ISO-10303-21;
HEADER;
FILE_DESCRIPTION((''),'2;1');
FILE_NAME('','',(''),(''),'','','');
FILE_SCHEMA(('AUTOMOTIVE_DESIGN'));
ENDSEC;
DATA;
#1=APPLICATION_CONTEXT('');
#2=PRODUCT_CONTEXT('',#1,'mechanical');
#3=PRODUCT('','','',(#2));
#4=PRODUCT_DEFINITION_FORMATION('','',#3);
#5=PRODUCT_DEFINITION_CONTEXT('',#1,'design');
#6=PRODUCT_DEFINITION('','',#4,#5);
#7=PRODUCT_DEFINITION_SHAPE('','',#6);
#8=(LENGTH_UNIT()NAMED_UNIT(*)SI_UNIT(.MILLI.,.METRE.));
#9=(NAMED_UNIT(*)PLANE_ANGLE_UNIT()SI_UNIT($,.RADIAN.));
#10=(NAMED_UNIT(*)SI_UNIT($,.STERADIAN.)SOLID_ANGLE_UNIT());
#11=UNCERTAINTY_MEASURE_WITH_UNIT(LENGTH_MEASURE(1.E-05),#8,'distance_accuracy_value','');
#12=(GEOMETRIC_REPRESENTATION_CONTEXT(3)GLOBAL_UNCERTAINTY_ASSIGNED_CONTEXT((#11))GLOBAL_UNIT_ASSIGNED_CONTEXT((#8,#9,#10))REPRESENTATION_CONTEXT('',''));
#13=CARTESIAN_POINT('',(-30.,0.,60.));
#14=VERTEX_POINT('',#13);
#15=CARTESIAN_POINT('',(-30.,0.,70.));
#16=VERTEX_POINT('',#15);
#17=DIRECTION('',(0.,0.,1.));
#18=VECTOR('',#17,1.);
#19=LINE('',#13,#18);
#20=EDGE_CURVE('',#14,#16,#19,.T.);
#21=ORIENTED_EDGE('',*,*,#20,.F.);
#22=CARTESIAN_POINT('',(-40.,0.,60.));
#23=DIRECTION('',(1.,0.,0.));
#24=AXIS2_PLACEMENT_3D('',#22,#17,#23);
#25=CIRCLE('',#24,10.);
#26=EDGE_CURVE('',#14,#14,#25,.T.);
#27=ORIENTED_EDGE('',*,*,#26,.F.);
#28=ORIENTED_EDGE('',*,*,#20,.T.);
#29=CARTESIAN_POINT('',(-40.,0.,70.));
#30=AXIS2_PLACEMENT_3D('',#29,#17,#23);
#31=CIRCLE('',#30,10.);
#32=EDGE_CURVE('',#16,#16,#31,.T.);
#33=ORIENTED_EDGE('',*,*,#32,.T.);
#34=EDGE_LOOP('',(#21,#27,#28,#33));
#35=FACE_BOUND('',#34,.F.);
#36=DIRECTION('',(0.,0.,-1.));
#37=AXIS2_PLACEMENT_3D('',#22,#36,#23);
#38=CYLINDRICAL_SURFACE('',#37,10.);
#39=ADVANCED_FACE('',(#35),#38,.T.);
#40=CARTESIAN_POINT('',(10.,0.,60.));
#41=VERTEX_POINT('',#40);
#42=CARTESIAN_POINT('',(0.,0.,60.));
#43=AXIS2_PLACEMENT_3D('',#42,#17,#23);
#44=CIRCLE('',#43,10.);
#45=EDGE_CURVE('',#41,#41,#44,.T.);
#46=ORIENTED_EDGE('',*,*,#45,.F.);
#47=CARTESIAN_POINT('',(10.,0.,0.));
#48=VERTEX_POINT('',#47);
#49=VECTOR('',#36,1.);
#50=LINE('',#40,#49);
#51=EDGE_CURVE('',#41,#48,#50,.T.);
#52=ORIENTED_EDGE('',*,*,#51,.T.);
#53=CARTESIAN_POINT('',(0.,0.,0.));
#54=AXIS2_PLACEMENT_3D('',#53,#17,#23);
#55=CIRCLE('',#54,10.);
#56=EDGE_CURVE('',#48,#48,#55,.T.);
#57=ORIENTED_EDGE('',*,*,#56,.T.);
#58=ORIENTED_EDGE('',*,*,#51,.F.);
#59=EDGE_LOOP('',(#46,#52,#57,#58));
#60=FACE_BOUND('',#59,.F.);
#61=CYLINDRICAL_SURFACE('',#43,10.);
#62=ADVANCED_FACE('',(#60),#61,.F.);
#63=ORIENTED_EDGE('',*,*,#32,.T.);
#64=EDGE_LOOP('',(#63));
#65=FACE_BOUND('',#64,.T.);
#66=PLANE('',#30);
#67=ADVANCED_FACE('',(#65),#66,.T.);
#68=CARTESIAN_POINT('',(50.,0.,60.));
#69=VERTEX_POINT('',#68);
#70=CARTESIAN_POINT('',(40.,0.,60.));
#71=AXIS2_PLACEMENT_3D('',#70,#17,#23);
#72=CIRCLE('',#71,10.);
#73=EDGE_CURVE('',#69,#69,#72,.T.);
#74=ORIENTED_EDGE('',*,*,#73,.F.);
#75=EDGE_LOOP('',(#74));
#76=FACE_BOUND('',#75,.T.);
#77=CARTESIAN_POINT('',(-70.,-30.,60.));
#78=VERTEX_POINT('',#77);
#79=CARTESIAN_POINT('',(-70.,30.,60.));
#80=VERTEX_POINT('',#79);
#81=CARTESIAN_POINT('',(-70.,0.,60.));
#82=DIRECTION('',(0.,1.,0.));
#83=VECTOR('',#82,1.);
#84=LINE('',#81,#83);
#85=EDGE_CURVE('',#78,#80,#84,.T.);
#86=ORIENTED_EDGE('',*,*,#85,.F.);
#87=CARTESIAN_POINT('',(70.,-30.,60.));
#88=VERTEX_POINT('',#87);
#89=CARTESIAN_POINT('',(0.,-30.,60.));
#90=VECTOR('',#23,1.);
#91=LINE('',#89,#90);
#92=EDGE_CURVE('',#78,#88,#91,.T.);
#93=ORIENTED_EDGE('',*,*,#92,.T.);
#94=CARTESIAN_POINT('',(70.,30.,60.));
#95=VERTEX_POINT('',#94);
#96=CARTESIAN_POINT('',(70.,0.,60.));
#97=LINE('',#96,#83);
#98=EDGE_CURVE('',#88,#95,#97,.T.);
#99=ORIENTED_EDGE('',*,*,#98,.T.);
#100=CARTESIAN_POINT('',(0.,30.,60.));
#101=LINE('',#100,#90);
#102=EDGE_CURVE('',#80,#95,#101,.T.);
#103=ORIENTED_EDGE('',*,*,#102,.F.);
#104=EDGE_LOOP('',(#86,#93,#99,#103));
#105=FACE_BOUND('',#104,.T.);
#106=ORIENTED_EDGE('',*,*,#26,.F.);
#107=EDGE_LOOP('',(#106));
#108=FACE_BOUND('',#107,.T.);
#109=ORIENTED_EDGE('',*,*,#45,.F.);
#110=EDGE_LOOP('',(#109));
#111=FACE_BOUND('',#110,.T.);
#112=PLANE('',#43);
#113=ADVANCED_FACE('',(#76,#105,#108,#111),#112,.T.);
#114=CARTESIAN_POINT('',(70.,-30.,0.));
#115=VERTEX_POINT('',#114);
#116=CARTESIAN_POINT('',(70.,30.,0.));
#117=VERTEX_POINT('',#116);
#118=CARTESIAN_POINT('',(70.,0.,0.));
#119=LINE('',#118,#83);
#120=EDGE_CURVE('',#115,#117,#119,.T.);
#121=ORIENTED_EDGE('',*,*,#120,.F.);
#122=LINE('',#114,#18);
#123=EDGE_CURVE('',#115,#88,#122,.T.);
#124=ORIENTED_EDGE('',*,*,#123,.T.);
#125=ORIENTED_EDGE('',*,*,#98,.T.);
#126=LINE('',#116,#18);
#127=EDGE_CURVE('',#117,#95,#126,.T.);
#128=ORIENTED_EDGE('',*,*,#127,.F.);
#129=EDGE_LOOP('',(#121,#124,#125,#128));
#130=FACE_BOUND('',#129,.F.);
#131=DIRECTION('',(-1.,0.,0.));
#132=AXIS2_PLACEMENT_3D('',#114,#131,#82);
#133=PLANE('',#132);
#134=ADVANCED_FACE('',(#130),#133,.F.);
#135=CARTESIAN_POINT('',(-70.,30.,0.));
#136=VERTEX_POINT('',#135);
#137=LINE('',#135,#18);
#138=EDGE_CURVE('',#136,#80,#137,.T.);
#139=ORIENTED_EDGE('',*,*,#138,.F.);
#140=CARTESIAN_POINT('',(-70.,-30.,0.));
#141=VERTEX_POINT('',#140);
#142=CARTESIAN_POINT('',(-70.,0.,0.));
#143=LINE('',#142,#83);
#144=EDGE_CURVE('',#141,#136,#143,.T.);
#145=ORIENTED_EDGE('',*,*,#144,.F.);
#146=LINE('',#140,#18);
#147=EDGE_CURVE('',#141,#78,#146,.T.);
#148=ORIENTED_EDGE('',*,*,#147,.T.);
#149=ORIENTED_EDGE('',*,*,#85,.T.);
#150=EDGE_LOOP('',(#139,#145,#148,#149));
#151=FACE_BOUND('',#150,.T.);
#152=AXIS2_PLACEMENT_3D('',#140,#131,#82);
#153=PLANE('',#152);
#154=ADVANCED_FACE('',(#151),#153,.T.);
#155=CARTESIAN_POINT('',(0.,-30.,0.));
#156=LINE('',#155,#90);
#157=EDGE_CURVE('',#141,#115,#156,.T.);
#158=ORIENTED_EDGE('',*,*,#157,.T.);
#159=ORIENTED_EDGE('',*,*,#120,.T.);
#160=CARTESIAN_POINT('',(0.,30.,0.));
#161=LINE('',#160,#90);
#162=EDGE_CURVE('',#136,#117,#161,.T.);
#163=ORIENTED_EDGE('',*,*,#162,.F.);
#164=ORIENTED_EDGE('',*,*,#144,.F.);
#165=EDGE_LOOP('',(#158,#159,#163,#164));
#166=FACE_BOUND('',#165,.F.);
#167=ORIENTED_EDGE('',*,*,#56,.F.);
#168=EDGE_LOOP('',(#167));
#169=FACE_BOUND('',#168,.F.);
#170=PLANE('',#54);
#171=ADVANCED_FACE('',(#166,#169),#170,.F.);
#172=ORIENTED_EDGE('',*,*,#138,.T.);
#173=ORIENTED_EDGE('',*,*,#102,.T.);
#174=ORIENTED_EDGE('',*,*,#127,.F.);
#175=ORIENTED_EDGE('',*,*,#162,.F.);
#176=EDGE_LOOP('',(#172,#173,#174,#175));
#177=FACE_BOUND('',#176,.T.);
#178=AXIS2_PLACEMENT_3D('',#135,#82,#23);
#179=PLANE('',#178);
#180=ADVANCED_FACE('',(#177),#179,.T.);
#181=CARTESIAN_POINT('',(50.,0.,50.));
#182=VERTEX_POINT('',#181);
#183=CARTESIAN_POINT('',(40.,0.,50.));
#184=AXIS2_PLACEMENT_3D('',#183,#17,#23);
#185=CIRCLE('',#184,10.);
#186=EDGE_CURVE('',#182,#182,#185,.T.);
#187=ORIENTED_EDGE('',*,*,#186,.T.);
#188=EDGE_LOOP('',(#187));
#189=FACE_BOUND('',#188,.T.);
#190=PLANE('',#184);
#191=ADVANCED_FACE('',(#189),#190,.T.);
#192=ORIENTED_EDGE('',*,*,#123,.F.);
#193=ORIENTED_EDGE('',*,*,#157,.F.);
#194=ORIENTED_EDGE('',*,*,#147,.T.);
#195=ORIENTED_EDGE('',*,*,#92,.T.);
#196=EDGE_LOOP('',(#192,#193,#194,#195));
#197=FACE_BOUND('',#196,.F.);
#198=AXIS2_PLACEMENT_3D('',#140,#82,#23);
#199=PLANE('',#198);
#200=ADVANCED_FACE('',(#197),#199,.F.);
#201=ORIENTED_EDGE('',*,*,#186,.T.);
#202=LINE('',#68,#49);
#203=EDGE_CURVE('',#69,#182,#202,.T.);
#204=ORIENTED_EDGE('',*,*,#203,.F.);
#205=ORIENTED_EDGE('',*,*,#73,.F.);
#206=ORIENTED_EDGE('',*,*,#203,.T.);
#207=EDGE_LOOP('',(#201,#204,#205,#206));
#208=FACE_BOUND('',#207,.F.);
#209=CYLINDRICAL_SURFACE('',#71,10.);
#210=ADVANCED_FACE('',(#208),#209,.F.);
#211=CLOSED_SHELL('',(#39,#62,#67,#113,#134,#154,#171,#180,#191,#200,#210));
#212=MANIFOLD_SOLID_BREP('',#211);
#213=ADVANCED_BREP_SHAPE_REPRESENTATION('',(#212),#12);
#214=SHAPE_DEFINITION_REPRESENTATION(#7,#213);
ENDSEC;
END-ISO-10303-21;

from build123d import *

# Parameters (mm, degrees)
F0_W     = 140
F0_H     = 60
F1_DEPTH = 60
F3_R     = 10
F6_DEPTH = 10
F4_R     = 10
F7_DEPTH = 114.6
F5_R     = 10
F8_DEPTH = 10


with BuildPart() as f1:
    # F0 (on Top) → F1 (new body)
    with BuildSketch(Plane.XY):
        Rectangle(F0_W, F0_H)
    extrude(amount=F1_DEPTH)

    # F3 (on face) → F6 (join)
    with BuildSketch(Plane.XY.offset(60)):
        with Locations((-40, 0)):
            Circle(F3_R)
    extrude(amount=F6_DEPTH)

    # F4 (on face) → F7 (cut)
    with BuildSketch(Plane.XY.offset(60)):
        Circle(F4_R)
    extrude(amount=-F7_DEPTH, mode=Mode.SUBTRACT)

    # F5 (on face) → F8 (cut)
    with BuildSketch(Plane.XY.offset(60)):
        with Locations((40, 0)):
            Circle(F5_R)
    extrude(amount=-F8_DEPTH, mode=Mode.SUBTRACT)


solid = f1.part
